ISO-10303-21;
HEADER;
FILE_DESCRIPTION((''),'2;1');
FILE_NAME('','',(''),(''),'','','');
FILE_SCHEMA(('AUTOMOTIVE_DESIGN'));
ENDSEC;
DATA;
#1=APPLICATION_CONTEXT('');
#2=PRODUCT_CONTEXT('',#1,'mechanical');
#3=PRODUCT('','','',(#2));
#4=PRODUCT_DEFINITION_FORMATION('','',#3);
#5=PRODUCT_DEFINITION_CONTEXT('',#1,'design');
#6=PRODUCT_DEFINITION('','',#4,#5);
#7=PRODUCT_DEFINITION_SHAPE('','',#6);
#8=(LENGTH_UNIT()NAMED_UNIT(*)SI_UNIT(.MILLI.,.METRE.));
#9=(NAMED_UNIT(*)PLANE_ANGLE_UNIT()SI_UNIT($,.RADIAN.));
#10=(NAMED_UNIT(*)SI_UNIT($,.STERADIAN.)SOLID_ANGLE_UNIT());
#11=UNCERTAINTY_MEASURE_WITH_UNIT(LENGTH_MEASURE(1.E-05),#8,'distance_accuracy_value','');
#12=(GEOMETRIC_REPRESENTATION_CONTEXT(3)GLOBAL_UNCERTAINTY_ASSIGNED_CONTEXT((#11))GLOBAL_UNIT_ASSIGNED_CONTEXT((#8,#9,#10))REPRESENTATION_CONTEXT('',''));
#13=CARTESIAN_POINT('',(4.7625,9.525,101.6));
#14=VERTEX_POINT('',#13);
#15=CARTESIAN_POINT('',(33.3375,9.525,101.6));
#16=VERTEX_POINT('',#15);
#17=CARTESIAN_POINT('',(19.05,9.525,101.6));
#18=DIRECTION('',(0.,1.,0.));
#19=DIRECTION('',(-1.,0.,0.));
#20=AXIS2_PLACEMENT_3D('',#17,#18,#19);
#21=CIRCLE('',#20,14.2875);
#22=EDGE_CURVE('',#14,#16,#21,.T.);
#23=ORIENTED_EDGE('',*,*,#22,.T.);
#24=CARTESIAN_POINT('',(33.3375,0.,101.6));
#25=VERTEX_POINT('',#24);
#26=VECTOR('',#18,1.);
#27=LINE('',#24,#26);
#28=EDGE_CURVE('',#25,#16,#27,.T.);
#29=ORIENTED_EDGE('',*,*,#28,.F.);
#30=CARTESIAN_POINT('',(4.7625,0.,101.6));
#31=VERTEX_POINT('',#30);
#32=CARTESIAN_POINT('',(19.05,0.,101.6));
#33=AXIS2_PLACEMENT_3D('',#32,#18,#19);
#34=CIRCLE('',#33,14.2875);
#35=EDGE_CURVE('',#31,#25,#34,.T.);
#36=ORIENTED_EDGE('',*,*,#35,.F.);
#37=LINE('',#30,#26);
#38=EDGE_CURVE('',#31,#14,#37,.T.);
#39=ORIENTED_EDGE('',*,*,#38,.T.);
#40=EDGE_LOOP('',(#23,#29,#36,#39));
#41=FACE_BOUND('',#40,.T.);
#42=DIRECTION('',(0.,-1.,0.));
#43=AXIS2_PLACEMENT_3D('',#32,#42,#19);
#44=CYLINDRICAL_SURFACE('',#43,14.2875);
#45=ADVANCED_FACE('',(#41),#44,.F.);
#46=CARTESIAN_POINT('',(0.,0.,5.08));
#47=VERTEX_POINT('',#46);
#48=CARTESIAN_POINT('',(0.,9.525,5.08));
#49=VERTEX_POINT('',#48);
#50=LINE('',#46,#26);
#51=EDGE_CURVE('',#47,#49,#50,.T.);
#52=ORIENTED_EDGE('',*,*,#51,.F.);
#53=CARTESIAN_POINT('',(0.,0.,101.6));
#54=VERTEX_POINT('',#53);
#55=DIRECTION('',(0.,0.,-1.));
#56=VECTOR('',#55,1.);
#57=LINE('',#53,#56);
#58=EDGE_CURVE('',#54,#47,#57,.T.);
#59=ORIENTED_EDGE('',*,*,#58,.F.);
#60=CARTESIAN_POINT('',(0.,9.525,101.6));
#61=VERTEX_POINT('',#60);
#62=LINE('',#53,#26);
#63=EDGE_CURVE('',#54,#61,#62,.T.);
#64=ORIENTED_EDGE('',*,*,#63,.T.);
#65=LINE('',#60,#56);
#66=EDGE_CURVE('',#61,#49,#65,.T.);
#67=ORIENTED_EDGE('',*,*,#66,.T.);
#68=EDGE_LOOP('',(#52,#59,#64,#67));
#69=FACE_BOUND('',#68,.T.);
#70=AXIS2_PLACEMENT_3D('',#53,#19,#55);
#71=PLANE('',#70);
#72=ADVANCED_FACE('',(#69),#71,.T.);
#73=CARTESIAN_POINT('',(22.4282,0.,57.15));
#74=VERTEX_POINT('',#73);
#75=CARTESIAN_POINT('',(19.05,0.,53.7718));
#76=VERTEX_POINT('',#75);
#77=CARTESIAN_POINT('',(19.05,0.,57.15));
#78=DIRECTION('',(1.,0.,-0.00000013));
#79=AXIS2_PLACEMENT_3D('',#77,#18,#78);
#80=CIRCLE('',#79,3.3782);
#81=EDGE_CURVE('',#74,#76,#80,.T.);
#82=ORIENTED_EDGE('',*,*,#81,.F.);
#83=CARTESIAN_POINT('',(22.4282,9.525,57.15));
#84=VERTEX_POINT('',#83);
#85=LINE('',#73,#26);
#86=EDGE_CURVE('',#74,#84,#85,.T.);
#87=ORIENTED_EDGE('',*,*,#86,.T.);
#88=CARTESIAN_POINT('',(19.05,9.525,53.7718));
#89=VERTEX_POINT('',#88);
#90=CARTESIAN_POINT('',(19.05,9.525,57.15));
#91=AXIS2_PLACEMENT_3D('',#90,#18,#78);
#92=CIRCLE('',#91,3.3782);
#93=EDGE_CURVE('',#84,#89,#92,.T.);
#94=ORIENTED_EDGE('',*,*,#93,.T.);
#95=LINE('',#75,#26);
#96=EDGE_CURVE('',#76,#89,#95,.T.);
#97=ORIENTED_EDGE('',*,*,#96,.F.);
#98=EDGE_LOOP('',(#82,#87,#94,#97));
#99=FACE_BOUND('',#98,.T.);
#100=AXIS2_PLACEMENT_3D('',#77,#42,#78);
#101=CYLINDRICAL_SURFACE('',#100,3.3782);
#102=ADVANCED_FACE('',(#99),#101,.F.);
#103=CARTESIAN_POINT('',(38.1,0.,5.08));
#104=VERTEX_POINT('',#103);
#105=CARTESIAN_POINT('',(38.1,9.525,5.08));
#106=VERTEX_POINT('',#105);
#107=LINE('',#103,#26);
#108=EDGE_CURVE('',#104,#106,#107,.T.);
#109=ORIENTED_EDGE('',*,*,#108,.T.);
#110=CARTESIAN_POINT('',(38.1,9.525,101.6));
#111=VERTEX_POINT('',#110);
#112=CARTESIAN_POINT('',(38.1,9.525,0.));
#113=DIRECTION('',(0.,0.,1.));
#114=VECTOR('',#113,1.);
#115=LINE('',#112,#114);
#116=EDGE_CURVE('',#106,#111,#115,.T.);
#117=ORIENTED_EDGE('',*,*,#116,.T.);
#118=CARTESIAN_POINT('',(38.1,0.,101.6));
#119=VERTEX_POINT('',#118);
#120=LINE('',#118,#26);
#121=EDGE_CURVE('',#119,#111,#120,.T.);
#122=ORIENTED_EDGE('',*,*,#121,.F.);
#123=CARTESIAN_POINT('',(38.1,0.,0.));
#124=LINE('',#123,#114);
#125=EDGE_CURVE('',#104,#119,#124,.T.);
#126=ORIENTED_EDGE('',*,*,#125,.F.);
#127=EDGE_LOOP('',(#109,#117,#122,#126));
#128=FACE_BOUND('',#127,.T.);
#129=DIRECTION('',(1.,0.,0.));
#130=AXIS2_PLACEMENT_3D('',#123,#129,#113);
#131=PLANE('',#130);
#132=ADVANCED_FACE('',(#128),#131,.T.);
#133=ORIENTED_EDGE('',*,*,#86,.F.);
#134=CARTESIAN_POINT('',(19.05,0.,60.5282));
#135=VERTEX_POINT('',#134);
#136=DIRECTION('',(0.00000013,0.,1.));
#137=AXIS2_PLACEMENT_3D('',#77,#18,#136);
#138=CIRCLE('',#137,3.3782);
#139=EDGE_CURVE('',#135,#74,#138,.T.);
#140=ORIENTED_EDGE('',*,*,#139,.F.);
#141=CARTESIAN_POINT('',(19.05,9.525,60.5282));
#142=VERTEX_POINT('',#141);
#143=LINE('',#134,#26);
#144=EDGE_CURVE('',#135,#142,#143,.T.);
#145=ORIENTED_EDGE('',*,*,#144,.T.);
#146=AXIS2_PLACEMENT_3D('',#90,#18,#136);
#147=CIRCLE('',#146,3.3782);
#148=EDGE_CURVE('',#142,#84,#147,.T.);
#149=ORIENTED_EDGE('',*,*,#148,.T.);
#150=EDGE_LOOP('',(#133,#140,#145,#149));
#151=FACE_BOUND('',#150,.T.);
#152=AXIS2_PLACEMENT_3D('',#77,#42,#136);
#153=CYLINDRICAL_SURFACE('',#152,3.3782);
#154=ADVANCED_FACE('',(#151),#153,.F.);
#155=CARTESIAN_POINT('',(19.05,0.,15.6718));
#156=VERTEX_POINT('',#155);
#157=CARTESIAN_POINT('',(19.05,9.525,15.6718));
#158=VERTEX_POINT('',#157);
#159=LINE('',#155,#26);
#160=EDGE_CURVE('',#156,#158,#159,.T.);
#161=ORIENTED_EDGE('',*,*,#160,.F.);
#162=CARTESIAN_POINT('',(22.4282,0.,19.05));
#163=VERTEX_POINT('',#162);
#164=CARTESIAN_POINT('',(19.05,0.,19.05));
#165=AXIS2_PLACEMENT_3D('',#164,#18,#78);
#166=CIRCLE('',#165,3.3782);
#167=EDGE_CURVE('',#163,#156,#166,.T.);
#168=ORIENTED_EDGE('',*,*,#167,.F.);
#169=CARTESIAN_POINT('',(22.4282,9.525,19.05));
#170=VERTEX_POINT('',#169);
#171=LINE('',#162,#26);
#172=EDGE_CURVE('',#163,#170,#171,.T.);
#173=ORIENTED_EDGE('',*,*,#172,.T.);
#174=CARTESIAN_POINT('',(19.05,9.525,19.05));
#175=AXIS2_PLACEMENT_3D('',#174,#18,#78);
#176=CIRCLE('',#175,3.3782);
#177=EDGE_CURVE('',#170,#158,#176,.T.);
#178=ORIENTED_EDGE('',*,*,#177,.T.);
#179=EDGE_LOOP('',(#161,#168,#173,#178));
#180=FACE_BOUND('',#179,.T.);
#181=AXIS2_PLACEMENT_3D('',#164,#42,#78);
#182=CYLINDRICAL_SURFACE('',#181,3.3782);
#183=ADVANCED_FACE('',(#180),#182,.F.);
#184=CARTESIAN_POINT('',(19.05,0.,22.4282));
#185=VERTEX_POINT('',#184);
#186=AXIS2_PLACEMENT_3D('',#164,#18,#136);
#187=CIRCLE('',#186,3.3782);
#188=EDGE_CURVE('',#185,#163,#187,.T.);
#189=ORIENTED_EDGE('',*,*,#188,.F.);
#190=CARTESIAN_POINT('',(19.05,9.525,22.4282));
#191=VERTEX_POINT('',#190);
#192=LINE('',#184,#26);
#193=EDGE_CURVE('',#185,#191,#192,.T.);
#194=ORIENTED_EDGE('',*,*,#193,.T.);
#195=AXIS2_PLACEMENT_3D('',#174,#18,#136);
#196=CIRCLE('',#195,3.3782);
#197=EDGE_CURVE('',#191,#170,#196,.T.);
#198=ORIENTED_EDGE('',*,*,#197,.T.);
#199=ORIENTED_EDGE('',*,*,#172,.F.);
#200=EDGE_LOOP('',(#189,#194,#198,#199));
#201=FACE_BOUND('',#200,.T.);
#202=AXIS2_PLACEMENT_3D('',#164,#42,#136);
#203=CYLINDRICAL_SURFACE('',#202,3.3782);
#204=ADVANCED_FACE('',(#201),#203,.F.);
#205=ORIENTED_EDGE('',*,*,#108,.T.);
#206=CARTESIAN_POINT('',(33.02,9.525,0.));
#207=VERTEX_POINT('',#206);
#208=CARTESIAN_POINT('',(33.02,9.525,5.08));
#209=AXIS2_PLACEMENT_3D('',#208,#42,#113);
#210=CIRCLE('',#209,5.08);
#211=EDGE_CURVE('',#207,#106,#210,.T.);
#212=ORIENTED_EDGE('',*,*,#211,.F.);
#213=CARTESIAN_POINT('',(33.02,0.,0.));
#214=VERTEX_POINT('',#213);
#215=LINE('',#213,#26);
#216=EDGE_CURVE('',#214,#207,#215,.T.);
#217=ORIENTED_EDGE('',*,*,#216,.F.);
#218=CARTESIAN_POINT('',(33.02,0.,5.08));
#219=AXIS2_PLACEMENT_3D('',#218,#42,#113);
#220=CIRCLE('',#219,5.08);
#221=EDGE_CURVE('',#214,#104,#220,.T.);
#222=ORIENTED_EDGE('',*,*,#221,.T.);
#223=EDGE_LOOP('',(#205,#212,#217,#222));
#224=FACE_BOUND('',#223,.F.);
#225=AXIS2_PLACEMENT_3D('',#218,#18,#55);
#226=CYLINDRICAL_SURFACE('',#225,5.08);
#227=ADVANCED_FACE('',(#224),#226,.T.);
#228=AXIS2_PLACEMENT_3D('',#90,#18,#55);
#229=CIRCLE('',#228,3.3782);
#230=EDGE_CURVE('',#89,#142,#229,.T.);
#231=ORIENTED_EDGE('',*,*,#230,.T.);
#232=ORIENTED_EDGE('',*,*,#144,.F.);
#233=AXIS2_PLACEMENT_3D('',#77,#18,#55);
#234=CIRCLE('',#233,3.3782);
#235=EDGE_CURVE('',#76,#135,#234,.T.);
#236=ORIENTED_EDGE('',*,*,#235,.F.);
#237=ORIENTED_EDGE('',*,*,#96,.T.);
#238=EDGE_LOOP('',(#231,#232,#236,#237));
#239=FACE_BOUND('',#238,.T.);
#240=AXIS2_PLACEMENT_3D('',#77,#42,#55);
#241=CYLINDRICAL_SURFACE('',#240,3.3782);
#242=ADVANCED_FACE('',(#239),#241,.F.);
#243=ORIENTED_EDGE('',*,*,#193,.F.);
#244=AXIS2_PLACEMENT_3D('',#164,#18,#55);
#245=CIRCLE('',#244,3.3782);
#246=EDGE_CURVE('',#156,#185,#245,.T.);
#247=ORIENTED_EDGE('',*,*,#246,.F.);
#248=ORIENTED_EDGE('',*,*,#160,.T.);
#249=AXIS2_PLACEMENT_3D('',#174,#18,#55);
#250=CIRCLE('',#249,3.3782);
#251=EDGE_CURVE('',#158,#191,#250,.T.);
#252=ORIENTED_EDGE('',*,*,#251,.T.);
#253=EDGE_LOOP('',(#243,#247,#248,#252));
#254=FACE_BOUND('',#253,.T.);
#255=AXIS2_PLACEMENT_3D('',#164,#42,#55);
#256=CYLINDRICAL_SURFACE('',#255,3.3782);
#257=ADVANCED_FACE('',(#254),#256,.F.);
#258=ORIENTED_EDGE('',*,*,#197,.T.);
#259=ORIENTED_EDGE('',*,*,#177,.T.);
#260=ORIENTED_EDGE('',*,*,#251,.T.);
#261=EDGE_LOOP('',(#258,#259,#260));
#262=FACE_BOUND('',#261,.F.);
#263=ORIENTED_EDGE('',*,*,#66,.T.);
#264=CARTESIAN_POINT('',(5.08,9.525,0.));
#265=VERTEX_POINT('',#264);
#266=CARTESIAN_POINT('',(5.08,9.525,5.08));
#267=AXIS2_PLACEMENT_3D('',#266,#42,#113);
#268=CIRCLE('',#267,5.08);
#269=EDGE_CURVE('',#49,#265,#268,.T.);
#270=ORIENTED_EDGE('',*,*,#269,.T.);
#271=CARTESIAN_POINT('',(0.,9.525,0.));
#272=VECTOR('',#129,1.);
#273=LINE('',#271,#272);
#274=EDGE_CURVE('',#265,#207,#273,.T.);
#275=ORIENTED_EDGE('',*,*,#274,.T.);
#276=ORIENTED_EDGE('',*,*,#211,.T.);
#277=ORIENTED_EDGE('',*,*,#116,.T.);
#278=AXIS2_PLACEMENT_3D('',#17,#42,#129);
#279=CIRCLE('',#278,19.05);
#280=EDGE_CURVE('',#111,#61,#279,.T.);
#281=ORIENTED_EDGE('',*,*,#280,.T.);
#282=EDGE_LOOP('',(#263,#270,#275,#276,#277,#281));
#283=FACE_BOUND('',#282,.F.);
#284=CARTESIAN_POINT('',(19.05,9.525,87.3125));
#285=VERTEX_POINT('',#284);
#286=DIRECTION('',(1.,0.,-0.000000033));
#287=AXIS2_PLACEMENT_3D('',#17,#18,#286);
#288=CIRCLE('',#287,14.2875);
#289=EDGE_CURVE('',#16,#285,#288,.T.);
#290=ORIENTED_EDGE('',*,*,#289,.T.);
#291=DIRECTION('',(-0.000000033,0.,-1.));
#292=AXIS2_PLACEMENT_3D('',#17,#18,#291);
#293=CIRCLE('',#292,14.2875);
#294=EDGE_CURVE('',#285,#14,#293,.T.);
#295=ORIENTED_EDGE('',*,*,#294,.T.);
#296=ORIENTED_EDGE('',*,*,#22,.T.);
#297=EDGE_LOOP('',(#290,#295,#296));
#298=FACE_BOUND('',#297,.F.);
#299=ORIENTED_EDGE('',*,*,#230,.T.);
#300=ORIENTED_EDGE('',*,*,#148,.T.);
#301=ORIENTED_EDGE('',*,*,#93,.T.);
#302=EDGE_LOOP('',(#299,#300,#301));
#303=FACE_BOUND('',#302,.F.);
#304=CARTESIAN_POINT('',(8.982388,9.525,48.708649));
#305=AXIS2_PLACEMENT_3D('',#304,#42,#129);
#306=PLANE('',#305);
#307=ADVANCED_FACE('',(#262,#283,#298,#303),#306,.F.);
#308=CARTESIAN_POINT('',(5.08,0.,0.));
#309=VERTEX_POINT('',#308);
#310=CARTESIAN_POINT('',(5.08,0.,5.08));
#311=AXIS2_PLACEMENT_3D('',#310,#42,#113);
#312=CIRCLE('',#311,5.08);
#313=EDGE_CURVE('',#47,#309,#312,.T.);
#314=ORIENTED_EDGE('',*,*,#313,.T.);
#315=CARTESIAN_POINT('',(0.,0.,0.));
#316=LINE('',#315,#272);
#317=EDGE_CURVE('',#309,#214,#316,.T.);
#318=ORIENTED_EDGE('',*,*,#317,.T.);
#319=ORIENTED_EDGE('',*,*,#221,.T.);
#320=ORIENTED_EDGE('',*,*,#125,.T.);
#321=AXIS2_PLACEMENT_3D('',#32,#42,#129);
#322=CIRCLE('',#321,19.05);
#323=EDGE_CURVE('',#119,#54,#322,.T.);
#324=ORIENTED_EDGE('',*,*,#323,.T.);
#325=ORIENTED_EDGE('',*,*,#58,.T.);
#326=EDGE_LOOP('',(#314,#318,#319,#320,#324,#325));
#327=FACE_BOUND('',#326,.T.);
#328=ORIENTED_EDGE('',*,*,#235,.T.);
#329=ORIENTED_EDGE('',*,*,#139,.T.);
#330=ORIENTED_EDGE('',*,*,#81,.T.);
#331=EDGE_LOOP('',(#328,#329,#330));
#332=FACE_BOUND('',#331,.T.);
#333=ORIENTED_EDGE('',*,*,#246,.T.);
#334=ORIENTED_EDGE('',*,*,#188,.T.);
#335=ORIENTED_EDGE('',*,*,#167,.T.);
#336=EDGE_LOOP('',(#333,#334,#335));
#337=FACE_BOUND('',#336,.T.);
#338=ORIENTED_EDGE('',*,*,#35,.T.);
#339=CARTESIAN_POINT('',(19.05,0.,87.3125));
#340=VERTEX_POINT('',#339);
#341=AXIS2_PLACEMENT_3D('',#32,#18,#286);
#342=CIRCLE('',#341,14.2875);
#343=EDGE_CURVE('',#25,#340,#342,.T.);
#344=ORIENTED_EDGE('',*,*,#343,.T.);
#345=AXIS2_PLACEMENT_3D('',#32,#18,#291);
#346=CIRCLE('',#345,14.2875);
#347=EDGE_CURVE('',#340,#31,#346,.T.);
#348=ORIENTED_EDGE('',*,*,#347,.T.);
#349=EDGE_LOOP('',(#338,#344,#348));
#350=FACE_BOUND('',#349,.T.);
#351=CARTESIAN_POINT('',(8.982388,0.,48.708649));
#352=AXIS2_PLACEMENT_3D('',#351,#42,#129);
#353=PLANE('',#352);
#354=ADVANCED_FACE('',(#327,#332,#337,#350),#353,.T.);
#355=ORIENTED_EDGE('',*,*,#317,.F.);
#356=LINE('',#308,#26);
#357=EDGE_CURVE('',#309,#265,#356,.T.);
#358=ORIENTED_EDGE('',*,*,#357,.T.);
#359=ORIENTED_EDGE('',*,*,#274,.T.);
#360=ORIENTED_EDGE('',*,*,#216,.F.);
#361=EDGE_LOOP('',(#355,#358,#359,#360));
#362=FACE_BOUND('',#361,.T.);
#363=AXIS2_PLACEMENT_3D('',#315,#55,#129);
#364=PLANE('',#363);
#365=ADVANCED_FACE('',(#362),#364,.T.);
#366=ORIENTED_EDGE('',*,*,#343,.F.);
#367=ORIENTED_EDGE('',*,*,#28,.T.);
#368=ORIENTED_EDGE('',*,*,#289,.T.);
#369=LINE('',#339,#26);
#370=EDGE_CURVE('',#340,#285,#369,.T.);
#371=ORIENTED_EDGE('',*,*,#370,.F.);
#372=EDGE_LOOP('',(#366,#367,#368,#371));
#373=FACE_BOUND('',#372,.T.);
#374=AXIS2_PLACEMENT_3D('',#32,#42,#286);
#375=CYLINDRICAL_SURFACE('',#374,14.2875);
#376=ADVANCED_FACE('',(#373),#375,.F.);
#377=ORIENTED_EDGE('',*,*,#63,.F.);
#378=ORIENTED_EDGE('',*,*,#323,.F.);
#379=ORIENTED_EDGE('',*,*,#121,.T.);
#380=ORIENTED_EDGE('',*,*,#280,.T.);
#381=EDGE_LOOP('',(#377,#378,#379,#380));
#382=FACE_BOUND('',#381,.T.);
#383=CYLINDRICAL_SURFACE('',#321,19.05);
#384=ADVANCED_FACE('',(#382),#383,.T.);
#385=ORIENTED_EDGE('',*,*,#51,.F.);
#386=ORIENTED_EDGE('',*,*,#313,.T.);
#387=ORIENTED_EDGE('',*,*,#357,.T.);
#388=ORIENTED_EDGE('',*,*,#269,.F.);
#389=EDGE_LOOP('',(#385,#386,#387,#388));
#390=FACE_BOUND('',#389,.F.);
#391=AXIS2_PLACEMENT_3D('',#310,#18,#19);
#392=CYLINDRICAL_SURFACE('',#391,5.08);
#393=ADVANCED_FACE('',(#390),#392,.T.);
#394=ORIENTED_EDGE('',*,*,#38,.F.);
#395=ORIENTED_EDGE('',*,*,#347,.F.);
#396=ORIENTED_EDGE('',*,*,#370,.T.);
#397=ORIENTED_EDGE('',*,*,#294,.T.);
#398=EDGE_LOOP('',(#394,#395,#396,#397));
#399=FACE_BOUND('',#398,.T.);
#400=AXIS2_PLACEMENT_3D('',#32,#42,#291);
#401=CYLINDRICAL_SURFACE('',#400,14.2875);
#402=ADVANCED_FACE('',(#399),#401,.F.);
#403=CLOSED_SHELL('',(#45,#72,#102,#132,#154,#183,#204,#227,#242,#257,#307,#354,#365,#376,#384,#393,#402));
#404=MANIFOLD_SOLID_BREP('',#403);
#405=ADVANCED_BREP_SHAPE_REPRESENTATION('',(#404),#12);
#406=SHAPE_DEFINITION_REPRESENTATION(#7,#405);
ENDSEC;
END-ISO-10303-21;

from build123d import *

# Parameters (mm, degrees)
F1_DEPTH = 9.525
F3_R     = 5.08


with BuildPart() as f1:
    # F0 (on Front) → F1 (new body)
    with BuildSketch(Plane.XZ):
        with BuildLine():
            Line((0, 101.6), (0, 0))
            Line((0, 0), (19.05, 0))
            Line((19.05, 0), (19.05, 15.6718))
            ThreePointArc((19.05, 15.6718), (15.6718, 19.05), (19.05, 22.4282))
            Line((19.05, 22.4282), (19.05, 53.7718))
            ThreePointArc((19.05, 53.7718), (15.6718, 57.15), (19.05, 60.5282))
            Line((19.05, 60.5282), (19.05, 87.3125))
            ThreePointArc((19.05, 87.3125), (8.947212, 91.497212), (4.7625, 101.6))
            Line((4.7625, 101.6), (0, 101.6))
        make_face()
        with BuildLine():
            Line((19.05, 15.6718), (19.05, 0))
            Line((19.05, 0), (38.1, 0))
            Line((38.1, 0), (38.1, 101.6))
            Line((38.1, 101.6), (33.3375, 101.6))
            ThreePointArc((33.3375, 101.6), (29.152788, 91.497212), (19.05, 87.3125))
            Line((19.05, 87.3125), (19.05, 60.5282))
            ThreePointArc((19.05, 60.5282), (21.438748, 59.538748), (22.4282, 57.15))
            ThreePointArc((22.4282, 57.15), (21.438748, 54.761252), (19.05, 53.7718))
            Line((19.05, 53.7718), (19.05, 22.4282))
            ThreePointArc((19.05, 22.4282), (21.438748, 21.438748), (22.4282, 19.05))
            ThreePointArc((22.4282, 19.05), (21.438748, 16.661252), (19.05, 15.6718))
        make_face()
        with BuildLine():
            ThreePointArc((38.1, 101.6), (19.05, 120.65), (0, 101.6))
            Line((0, 101.6), (4.7625, 101.6))
            ThreePointArc((4.7625, 101.6), (19.05, 115.8875), (33.3375, 101.6))
            Line((33.3375, 101.6), (38.1, 101.6))
        make_face()
    extrude(amount=-F1_DEPTH)

    # F3
    f3_edges = [f1.edges().sort_by_distance(p)[0] for p in [
        (38.1, 4.7625, 0),
        (0, 4.7625, 0),
    ]]
    fillet(f3_edges, radius=F3_R)


solid = f1.part
